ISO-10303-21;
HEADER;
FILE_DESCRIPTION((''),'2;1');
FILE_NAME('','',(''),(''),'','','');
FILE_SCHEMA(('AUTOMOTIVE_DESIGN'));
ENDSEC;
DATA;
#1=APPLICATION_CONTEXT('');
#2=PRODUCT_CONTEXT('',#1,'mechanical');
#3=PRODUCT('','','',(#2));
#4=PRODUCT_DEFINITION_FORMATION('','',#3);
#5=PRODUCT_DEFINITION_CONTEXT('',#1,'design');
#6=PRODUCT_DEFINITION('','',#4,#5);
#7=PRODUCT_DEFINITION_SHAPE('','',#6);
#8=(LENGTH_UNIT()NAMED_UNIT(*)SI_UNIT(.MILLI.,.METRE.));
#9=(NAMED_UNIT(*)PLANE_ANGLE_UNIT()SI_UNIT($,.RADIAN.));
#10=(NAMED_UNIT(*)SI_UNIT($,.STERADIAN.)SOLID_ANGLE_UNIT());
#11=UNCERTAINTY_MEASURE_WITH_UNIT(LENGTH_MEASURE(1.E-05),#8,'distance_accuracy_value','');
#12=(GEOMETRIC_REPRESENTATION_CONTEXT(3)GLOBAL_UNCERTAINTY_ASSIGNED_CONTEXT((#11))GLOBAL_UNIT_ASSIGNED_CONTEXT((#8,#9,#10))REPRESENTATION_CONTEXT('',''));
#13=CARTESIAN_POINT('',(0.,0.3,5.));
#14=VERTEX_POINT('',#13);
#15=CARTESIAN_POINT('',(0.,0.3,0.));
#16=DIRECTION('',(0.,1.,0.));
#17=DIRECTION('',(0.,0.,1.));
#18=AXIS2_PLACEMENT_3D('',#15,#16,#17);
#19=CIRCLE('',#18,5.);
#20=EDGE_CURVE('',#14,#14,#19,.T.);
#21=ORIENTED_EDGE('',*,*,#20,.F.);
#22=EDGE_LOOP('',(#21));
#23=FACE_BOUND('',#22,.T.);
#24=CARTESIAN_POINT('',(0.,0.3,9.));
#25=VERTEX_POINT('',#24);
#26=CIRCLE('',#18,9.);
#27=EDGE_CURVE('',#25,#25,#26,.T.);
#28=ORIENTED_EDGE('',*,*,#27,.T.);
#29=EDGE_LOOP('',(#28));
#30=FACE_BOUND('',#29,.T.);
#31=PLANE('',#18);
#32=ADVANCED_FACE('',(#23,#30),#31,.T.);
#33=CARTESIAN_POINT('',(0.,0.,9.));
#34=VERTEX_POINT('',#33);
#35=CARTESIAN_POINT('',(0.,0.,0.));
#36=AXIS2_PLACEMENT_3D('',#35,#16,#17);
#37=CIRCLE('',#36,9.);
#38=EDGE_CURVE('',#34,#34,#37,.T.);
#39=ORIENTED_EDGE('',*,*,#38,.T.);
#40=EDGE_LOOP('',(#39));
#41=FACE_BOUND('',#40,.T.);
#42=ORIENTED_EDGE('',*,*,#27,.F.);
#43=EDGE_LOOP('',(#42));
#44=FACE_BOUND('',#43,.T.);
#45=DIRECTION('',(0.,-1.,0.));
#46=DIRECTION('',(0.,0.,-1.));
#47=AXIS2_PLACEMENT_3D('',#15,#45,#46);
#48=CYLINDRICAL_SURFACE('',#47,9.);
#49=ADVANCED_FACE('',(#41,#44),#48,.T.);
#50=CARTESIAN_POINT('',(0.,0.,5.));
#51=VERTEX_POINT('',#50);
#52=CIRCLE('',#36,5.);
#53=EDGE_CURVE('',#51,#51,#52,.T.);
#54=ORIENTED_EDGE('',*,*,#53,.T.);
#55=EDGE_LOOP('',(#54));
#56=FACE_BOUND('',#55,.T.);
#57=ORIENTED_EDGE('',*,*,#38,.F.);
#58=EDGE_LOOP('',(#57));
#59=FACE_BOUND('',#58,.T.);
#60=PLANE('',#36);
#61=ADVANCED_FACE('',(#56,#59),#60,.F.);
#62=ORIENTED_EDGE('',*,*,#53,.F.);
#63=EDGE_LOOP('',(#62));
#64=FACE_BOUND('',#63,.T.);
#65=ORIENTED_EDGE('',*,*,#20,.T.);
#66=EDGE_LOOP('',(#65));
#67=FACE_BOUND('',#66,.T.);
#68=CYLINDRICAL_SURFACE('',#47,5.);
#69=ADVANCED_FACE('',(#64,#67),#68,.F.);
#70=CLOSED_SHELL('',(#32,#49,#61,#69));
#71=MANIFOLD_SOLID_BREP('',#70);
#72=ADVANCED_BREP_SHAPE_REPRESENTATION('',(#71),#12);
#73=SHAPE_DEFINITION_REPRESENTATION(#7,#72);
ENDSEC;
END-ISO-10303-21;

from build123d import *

# Parameters (mm, degrees)
SKETCH1_R           = 9
SKETCH1_R_2         = 5
BOSS_EXTRUDE1_DEPTH = 0.3


with BuildPart() as part:
    # Sketch1 → Boss-Extrude1 (new body)
    with BuildSketch(Plane(origin=(0, 0, 0), x_dir=(1, 0, 0), z_dir=(0, 1, 0))):
        Circle(SKETCH1_R)
        Circle(SKETCH1_R_2, mode=Mode.SUBTRACT)
    extrude(amount=BOSS_EXTRUDE1_DEPTH)


solid = part.part
